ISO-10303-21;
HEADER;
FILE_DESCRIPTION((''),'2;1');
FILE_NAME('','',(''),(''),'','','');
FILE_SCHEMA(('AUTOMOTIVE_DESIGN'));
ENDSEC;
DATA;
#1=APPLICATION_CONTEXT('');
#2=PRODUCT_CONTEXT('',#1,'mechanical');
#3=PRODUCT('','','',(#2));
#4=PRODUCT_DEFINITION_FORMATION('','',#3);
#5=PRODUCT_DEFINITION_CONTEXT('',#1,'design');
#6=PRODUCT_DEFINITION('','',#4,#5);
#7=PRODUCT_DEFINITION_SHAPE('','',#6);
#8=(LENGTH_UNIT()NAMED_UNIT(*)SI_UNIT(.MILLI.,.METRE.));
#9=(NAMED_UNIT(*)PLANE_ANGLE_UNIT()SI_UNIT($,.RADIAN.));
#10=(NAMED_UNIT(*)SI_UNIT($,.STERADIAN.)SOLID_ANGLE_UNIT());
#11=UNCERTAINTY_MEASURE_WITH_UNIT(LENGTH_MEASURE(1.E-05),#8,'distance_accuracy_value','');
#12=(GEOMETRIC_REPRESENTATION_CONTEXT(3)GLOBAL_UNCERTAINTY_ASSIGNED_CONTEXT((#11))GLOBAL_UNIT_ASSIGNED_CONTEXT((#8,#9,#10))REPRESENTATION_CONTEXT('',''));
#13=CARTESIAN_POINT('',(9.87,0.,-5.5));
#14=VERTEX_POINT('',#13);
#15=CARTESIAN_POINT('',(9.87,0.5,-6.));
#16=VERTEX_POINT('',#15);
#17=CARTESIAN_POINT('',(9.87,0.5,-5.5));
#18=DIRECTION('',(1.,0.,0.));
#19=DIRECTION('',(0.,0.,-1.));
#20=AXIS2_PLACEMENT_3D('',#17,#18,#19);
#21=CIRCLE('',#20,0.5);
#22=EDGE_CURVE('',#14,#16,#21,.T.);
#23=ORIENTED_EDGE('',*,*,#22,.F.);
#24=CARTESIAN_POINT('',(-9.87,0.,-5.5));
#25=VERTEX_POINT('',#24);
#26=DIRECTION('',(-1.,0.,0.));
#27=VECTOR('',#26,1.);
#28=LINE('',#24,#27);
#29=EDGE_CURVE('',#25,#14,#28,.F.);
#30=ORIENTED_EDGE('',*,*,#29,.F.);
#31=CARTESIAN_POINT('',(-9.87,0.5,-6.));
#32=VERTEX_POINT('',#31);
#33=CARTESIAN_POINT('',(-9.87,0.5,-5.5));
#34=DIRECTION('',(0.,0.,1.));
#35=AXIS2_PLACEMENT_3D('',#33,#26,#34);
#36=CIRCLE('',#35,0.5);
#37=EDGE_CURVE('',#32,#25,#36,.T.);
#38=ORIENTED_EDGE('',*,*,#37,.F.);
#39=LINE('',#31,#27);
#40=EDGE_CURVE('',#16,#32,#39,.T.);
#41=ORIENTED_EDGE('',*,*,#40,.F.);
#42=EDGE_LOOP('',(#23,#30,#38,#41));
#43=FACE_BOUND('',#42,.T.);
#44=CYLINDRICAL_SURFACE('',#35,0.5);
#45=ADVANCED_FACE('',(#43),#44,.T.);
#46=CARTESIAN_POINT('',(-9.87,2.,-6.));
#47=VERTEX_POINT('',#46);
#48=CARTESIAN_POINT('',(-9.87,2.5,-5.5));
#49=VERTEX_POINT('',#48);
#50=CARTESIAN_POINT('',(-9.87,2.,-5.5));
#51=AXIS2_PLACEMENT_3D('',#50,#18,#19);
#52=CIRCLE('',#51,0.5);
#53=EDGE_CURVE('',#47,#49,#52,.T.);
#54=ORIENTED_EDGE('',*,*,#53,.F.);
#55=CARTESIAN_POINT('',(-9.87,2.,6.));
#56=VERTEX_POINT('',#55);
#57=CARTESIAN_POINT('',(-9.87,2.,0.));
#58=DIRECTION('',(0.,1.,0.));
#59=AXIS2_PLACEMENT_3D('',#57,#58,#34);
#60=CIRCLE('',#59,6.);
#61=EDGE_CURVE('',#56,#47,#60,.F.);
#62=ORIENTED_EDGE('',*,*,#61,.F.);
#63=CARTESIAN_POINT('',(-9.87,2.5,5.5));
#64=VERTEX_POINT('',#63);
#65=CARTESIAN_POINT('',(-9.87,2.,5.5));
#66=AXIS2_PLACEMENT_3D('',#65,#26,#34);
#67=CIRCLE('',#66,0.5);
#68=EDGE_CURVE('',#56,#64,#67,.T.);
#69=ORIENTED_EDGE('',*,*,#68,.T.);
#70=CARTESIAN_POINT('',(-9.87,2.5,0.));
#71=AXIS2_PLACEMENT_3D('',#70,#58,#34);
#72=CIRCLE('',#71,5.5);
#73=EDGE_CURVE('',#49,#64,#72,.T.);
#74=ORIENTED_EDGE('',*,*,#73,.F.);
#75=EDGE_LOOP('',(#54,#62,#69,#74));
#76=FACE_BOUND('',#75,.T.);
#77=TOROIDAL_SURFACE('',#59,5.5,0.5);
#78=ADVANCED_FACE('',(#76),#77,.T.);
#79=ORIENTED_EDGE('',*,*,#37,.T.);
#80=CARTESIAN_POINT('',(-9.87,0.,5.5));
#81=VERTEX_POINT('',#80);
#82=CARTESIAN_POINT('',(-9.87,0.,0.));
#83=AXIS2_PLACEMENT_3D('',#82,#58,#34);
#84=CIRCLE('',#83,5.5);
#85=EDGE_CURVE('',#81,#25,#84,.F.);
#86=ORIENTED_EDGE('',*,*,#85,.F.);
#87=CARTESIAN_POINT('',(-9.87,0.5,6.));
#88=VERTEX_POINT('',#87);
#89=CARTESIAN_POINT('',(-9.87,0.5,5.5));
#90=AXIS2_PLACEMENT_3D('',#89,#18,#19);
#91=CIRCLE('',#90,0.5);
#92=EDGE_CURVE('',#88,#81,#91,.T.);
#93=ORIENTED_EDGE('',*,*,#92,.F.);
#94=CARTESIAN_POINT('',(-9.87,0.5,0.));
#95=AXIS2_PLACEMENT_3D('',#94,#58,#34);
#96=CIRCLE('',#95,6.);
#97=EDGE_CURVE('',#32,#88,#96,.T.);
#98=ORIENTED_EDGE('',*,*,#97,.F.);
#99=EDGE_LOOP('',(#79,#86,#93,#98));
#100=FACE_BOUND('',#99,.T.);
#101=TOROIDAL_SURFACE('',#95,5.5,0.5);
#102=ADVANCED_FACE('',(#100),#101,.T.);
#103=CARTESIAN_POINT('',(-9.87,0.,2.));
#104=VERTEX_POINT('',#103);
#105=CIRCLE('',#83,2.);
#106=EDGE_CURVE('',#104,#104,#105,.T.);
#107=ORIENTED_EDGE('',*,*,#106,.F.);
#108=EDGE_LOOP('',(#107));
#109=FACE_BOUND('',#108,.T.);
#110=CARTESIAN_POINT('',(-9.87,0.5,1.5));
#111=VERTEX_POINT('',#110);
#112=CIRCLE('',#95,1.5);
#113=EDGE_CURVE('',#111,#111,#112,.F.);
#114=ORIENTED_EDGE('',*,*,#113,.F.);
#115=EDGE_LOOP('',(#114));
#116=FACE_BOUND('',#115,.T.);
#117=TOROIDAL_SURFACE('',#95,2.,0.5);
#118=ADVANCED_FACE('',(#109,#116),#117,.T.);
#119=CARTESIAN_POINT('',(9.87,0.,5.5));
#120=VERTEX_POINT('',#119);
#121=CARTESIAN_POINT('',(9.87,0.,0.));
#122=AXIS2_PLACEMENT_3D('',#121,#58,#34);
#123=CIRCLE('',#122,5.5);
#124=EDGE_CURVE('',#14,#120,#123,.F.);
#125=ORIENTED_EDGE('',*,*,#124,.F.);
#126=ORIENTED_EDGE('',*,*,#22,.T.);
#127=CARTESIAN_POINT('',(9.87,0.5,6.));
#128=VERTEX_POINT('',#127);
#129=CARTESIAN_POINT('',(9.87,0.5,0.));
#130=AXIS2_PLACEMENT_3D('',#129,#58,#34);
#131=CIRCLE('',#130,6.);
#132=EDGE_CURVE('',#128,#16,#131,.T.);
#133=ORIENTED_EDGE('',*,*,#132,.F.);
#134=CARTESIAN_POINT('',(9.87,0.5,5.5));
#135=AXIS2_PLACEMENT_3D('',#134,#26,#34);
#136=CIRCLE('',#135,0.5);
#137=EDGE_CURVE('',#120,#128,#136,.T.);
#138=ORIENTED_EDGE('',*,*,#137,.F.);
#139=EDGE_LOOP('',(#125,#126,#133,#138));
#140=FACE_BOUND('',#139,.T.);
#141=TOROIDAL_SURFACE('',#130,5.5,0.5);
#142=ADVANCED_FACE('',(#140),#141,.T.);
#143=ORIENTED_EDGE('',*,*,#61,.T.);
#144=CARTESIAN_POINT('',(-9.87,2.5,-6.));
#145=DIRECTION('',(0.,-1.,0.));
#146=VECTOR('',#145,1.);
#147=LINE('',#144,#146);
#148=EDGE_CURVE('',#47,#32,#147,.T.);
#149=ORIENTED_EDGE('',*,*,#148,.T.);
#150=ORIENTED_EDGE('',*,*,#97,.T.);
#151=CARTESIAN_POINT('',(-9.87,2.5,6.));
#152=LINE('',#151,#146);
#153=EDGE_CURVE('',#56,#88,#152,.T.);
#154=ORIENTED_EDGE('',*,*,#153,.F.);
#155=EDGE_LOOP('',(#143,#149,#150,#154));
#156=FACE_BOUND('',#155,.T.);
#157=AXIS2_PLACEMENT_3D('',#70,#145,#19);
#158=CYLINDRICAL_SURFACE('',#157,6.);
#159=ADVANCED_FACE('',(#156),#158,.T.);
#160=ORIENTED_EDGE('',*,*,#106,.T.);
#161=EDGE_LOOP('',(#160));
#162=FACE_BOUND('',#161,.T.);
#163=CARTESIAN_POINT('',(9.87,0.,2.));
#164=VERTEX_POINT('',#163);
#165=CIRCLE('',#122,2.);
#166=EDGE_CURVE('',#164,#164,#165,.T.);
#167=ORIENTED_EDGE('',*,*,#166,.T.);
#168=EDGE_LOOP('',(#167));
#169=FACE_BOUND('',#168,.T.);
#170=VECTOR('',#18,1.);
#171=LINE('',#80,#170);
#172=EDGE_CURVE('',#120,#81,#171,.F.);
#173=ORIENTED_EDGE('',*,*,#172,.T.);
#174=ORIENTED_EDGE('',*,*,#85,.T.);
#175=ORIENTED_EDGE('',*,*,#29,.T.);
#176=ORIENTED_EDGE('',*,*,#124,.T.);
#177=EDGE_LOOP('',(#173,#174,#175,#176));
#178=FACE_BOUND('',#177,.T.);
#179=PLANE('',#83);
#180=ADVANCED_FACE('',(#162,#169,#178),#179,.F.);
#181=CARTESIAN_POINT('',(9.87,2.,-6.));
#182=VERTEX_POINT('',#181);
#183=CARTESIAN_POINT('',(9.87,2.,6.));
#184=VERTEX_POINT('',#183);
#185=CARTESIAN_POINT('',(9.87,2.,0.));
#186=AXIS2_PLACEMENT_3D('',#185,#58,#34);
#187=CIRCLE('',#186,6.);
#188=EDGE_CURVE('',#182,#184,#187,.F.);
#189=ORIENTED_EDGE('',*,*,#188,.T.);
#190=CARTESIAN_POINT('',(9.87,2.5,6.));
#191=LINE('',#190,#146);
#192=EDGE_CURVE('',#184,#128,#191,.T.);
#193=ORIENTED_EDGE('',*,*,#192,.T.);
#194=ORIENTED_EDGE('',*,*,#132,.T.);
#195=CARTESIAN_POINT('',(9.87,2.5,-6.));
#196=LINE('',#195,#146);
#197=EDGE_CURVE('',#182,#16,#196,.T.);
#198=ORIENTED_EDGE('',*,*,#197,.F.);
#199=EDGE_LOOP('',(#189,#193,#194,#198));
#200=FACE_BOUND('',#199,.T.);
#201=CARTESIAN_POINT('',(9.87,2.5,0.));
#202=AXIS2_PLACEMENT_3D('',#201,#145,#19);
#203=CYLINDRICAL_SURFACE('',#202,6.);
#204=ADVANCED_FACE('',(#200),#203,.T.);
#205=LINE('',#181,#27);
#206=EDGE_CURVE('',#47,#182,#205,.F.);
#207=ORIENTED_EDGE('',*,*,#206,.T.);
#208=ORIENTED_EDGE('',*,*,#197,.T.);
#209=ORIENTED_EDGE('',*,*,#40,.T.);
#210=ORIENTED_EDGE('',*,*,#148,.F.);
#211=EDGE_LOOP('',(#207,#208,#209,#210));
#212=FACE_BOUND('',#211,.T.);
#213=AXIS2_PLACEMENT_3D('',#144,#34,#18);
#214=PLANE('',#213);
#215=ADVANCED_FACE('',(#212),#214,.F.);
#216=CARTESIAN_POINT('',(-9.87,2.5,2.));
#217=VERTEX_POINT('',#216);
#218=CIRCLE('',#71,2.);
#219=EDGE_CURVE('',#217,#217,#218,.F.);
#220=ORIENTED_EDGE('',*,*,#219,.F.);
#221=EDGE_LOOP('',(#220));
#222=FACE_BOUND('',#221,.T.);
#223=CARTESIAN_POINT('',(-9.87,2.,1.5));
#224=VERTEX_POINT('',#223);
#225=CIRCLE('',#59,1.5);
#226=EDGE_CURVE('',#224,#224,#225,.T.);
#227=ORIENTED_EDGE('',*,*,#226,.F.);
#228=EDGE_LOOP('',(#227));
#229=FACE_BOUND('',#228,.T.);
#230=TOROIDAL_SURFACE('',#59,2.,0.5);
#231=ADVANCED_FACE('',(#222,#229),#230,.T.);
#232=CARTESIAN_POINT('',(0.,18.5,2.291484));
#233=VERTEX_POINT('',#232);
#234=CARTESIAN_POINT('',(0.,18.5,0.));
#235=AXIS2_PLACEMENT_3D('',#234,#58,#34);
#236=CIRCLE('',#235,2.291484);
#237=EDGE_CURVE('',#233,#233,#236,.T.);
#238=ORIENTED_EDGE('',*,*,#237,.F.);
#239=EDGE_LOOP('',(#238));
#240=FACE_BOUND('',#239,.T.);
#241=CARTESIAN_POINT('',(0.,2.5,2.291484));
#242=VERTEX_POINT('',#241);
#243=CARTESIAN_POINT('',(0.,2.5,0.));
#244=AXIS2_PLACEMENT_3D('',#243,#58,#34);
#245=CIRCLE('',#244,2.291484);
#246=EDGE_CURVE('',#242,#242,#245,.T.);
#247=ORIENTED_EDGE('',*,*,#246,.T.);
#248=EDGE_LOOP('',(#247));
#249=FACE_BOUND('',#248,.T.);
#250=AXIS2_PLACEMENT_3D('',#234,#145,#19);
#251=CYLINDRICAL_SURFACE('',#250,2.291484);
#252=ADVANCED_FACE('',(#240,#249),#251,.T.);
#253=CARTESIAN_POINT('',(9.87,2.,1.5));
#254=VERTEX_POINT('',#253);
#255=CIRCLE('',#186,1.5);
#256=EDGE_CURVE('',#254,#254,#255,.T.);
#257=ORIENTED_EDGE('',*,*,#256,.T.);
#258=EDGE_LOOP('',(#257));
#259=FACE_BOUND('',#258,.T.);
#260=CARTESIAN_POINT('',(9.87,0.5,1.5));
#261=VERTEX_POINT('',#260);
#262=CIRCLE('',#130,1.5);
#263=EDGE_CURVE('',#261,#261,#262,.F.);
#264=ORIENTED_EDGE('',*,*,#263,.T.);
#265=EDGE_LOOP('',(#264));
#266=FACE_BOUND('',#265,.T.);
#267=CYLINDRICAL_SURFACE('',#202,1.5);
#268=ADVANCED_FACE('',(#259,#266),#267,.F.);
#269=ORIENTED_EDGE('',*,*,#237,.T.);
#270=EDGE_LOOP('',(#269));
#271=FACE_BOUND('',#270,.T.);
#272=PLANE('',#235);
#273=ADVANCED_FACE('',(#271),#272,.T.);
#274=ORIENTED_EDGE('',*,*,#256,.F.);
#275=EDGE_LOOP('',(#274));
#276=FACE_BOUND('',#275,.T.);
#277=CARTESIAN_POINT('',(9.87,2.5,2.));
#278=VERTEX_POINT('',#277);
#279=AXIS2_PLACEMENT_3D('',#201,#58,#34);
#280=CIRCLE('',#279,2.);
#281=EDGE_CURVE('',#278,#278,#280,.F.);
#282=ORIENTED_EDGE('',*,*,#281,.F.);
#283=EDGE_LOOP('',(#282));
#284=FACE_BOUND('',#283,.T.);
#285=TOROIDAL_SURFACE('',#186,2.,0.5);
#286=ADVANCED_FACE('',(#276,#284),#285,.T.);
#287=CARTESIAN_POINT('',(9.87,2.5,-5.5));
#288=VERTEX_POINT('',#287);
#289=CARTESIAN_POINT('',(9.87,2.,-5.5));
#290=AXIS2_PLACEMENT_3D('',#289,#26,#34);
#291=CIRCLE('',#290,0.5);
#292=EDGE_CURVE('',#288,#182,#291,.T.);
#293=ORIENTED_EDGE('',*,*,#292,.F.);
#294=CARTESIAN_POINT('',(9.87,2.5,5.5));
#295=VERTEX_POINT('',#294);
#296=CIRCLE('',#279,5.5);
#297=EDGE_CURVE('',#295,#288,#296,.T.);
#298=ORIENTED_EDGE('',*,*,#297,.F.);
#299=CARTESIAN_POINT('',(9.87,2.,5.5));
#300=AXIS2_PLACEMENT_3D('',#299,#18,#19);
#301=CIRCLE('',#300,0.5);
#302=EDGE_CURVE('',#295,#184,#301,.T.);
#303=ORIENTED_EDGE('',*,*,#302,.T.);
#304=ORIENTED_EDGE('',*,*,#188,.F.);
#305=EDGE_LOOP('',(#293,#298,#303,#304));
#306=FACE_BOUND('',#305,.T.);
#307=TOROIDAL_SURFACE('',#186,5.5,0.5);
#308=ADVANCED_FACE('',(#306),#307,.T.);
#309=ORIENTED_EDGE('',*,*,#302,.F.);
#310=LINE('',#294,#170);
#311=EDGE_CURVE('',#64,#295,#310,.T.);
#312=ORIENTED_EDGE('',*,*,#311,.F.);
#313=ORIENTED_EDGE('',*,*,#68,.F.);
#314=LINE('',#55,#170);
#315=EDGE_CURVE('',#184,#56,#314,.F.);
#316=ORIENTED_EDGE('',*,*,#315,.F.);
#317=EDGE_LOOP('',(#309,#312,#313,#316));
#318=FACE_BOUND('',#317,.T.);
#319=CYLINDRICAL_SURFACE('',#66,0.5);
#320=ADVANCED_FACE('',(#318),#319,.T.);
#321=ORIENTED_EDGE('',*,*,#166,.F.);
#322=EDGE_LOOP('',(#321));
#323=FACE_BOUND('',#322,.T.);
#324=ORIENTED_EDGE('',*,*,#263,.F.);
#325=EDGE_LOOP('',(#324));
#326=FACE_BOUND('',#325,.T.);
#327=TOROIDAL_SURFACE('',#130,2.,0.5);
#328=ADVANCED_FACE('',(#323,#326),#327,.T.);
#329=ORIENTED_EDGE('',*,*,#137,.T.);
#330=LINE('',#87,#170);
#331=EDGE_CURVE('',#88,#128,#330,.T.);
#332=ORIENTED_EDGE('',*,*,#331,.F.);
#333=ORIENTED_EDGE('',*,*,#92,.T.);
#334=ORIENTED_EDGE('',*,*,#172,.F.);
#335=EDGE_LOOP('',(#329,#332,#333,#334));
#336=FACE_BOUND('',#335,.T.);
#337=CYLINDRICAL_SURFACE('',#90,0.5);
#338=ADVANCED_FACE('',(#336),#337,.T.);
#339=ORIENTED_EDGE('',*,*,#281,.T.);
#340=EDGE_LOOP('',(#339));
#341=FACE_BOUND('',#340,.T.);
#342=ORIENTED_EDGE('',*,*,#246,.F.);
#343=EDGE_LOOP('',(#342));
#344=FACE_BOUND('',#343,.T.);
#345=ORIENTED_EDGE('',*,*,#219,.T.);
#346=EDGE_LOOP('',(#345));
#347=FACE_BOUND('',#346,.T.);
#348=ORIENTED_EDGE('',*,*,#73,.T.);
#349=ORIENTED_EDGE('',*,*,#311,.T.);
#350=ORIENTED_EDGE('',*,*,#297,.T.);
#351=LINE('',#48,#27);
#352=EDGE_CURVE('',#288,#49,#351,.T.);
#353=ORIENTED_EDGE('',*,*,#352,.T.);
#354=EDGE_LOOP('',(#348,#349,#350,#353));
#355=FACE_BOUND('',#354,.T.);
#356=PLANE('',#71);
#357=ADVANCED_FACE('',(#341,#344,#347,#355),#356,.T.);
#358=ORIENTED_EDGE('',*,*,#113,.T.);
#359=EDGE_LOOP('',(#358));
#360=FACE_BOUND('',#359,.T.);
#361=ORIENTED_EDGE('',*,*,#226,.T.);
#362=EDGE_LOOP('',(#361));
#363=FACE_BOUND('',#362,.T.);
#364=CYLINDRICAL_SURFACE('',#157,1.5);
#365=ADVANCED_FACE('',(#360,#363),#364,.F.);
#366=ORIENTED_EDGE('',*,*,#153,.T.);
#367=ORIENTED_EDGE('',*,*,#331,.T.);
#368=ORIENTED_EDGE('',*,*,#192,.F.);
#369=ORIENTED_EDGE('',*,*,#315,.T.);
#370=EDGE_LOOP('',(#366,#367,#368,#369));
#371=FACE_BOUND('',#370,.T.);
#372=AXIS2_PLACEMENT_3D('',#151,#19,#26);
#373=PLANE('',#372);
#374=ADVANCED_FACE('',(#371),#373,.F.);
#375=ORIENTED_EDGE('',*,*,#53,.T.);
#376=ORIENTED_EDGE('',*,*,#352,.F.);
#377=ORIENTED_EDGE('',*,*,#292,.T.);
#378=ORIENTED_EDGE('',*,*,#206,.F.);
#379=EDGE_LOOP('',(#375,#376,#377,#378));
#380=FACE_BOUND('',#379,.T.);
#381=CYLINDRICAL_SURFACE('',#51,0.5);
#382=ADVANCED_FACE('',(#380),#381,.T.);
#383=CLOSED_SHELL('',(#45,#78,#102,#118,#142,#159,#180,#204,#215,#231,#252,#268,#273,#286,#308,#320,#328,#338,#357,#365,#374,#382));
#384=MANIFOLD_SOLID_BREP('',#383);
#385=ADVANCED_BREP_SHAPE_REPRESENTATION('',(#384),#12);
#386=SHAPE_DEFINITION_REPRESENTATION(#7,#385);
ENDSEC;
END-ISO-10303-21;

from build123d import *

# Parameters (mm, degrees)
SKETCH1_R           = 1.5
BOSS_EXTRUDE1_DEPTH = 2.5
FILLET1_R           = 0.5
SKETCH2_R           = 2.29148448
BOSS_EXTRUDE2_DEPTH = 16


with BuildPart() as part:
    # Sketch1 → Boss-Extrude1 (new body)
    with BuildSketch(Plane(origin=(0, 0, 0), x_dir=(1, 0, 0), z_dir=(0, 1, 0))):
        with BuildLine():
            Line((-9.87, 6), (9.87, 6))
            ThreePointArc((9.87, 6), (15.87, 0), (9.87, -6))
            Line((9.87, -6), (-9.87, -6))
            ThreePointArc((-9.87, -6), (-15.87, 0), (-9.87, 6))
        make_face()
        with Locations(Location((-9.87, 0, 0), (0, 0, 270))):
            Circle(SKETCH1_R, mode=Mode.SUBTRACT)
        with Locations(Location((9.87, 0, 0), (0, 0, 270))):
            Circle(SKETCH1_R, mode=Mode.SUBTRACT)
    extrude(amount=BOSS_EXTRUDE1_DEPTH)

    # Fillet1
    fillet1_edges = [part.edges().sort_by_distance(p)[0] for p in [
        (-9.87, 0, -1.5),
        (-9.87, 2.5, -1.5),
        (15.87, 2.5, 0),
        (9.87, 0, -1.5),
        (9.87, 2.5, -1.5),
        (0, 2.5, -6),
        (-15.87, 2.5, 0),
        (0, 0, -6),
        (15.87, 0, 0),
        (0, 0, 6),
        (-15.87, 0, 0),
        (0, 2.5, 6),
    ]]
    fillet(fillet1_edges, radius=FILLET1_R)

    # Sketch2 → Boss-Extrude2 (add)
    with BuildSketch(Plane(origin=(0, 2.5, 0), x_dir=(1, 0, 0), z_dir=(0, 1, 0))):
        with Locations(Location((0, 0, 0), (0, 0, 270))):
            Circle(SKETCH2_R)
    extrude(amount=BOSS_EXTRUDE2_DEPTH)


solid = part.part
